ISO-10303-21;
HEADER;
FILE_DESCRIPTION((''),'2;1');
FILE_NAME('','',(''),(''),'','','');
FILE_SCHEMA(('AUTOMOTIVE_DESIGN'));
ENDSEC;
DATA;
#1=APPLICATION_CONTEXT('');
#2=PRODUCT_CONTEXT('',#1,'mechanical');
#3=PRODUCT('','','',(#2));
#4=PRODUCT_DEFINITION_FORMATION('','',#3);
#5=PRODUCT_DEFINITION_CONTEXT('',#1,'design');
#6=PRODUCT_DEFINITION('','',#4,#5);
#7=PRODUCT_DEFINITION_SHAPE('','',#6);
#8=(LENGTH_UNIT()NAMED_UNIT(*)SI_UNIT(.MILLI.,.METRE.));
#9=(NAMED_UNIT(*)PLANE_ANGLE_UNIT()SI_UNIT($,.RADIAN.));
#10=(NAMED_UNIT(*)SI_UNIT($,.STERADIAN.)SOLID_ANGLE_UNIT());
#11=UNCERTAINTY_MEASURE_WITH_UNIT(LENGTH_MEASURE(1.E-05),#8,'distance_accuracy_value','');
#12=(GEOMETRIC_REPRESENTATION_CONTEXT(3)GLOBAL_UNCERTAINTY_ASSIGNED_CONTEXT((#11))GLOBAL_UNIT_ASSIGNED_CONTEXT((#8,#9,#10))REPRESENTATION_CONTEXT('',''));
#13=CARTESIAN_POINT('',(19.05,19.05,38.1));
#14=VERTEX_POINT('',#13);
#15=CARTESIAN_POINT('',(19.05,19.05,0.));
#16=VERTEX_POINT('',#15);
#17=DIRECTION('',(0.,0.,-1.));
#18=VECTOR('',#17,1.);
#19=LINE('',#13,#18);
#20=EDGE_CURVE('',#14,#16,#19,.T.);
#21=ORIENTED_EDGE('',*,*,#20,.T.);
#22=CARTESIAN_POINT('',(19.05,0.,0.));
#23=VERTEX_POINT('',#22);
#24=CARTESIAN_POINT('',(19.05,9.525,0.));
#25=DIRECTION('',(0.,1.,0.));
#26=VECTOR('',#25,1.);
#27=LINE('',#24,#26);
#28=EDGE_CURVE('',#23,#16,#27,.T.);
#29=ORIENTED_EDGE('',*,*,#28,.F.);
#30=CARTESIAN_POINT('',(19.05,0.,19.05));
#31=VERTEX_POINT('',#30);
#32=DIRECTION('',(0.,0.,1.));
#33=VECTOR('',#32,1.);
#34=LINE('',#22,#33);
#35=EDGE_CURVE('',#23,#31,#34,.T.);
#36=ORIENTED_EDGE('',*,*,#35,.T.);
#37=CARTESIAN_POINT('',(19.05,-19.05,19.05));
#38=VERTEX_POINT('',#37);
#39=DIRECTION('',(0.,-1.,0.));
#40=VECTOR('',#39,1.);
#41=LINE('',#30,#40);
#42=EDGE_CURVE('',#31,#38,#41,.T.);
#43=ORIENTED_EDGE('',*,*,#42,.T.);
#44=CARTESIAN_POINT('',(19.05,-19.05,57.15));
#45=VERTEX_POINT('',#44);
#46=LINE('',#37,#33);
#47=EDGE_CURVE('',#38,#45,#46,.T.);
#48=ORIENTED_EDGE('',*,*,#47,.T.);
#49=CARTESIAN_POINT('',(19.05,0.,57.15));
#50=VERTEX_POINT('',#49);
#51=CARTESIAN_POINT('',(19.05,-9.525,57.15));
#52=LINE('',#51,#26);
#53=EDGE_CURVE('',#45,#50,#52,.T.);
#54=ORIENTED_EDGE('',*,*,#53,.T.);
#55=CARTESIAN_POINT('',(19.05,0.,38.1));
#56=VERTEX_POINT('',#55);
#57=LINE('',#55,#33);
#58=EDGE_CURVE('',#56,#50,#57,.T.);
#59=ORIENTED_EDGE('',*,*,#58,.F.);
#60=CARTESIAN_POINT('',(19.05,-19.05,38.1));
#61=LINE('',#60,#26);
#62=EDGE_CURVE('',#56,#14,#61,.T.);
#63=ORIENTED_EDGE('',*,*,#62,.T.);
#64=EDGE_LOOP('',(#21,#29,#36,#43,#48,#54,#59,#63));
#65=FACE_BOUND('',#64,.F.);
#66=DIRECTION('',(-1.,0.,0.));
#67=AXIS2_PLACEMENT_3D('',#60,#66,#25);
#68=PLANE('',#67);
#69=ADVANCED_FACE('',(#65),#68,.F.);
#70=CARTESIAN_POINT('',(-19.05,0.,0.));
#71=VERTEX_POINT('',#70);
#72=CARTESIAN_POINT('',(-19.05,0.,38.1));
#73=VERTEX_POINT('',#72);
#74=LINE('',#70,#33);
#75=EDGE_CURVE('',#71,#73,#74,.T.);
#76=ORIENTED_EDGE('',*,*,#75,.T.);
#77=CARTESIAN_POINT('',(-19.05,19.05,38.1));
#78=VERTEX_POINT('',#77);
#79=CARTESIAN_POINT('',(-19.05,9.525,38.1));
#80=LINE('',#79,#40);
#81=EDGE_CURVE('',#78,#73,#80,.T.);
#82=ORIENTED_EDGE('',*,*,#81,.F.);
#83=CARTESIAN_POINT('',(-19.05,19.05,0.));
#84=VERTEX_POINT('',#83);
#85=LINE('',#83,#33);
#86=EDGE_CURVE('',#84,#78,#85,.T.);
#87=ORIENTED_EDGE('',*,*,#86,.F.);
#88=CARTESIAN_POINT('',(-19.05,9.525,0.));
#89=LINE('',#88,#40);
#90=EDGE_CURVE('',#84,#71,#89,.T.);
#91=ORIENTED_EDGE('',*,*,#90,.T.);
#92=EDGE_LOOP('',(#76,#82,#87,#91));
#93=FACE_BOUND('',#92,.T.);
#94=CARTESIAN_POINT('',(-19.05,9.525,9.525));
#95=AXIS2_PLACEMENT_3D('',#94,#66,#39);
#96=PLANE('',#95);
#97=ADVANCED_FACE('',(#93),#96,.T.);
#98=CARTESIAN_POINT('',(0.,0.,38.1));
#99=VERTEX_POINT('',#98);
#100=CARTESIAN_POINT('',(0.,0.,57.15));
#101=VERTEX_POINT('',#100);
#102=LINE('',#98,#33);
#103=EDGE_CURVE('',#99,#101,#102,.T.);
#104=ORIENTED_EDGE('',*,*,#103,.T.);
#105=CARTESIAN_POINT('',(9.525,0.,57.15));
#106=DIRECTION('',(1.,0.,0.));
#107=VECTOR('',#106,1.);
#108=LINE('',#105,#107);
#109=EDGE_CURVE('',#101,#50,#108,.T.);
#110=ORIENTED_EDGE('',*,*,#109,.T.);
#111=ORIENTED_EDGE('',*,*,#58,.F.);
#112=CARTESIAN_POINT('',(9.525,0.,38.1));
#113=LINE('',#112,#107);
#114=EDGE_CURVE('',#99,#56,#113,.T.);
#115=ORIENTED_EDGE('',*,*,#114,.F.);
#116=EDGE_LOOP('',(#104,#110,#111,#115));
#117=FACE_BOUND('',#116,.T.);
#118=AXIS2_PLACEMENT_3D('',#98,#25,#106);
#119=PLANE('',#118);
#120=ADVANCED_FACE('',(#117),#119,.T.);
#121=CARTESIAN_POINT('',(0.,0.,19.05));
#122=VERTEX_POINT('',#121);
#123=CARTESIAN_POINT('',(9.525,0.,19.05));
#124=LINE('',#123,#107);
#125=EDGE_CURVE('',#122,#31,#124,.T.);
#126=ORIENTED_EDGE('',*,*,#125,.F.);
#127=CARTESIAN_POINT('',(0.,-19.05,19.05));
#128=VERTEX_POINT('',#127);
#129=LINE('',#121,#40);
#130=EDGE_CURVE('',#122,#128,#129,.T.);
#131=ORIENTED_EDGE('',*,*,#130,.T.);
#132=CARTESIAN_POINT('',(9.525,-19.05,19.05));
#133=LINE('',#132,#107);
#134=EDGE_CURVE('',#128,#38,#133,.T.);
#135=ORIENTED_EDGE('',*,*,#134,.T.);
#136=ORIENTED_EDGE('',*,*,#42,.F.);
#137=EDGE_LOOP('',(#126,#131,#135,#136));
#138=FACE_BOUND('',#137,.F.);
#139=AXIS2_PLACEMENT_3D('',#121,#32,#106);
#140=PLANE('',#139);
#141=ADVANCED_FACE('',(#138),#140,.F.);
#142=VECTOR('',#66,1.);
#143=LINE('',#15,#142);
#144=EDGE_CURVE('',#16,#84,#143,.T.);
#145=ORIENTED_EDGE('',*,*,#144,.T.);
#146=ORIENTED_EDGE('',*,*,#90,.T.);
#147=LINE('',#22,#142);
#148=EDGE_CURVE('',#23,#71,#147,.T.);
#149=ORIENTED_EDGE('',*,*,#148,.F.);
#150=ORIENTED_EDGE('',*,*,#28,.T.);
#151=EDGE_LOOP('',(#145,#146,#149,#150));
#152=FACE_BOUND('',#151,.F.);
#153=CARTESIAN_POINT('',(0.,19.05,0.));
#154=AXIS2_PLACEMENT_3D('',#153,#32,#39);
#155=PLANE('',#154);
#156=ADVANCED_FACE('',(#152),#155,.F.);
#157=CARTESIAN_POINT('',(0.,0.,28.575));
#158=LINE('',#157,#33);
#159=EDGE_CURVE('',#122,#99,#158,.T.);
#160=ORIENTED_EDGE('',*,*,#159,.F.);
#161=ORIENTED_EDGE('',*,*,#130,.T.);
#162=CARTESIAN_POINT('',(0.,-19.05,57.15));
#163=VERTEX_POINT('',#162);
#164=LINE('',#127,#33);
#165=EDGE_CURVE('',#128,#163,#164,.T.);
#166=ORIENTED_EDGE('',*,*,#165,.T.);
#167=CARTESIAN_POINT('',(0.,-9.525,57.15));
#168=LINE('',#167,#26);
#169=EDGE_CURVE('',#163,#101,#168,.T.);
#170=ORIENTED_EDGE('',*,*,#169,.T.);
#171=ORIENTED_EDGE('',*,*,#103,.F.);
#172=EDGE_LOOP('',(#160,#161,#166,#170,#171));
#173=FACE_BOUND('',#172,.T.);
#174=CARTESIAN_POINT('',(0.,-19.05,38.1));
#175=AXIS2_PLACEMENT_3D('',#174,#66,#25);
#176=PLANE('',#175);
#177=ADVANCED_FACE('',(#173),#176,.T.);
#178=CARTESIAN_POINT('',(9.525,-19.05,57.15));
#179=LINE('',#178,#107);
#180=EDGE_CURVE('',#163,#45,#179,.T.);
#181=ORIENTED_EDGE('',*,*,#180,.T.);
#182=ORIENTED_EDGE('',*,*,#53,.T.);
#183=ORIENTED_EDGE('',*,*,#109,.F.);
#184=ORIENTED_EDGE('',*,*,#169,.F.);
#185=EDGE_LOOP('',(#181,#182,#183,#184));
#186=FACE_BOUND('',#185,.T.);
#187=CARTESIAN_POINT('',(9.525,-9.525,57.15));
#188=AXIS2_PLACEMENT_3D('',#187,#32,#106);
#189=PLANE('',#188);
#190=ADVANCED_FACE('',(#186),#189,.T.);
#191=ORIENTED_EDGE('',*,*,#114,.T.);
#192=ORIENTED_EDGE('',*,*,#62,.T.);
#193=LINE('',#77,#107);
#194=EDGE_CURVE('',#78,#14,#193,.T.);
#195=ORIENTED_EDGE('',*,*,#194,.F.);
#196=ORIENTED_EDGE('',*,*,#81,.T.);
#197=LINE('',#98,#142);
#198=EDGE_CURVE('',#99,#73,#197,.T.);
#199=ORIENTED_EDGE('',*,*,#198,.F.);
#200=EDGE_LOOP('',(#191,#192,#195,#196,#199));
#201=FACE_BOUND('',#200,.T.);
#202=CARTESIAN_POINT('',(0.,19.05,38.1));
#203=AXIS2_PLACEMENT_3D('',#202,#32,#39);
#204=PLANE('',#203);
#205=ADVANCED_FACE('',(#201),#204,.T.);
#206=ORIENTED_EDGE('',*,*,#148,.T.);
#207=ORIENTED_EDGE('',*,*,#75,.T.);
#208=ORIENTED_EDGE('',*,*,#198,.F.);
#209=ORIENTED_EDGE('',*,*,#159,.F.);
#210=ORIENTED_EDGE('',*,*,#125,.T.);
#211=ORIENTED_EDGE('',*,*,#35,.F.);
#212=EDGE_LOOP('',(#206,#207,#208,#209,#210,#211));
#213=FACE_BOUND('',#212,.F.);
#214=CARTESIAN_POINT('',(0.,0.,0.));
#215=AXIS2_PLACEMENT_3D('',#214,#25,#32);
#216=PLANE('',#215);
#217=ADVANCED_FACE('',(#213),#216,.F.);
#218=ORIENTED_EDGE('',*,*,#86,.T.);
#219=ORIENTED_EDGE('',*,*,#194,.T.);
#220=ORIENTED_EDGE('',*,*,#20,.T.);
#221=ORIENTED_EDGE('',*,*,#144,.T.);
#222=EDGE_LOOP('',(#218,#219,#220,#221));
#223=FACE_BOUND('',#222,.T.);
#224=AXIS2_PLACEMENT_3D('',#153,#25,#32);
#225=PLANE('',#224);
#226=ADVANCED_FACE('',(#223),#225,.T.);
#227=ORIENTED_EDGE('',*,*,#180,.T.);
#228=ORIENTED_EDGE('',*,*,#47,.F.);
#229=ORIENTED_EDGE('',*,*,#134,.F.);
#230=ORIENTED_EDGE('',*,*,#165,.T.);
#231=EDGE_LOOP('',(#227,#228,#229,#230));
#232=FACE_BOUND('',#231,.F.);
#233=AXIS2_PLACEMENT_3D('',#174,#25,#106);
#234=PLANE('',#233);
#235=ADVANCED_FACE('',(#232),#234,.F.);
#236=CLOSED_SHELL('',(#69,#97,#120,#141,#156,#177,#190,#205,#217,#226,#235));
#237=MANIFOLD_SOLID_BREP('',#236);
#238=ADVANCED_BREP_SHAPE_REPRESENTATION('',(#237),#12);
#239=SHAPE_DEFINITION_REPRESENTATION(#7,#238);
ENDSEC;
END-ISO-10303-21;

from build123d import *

# Parameters (mm, degrees)
F0_W      = 19.05
F0_H      = 19.05
F1_DEPTH  = 19.05
F1_FACE_W = 19.05
F1_FACE_H = 19.05
F2_DEPTH  = 19.05
F3_W      = 19.05
F3_H      = 19.05
F5_DEPTH  = 19.05
F4_W      = 19.05
F4_H      = 19.05
F6_DEPTH  = 19.05
F6_FACE_W = 19.05
F6_FACE_H = 19.05
F7_DEPTH  = 19.05
F8_W      = 19.05
F8_H      = 19.05
F9_DEPTH  = 19.05


with BuildPart() as f1:
    # F0 (on Top) → F1 (new body)
    with BuildSketch(Plane.XY):
        with Locations((9.525, 9.525)):
            Rectangle(F0_W, F0_H)
    extrude(amount=F1_DEPTH)

    # F1_face (on face) → F2 (join)
    with BuildSketch(Plane(origin=(9.525, 9.525, 19.05), x_dir=(1, 0, 0), z_dir=(0, 0, 1))):
        Rectangle(F1_FACE_W, F1_FACE_H)
    extrude(amount=F2_DEPTH)

    # F3 (on face) → F5 (join)
    with BuildSketch(Plane.XZ):
        with Locations((9.525, 28.575)):
            Rectangle(F3_W, F3_H)
    extrude(amount=F5_DEPTH)

    # F4 (on face) → F6 (join)
    with BuildSketch(Plane(origin=(0, 0, 0), x_dir=(0, -1, 0), z_dir=(-1, 0, 0))):
        with Locations((-9.525, 28.575)):
            Rectangle(F4_W, F4_H)
    extrude(amount=F6_DEPTH)

    # F6_face (on face) → F7 (join)
    with BuildSketch(Plane(origin=(0, 9.525, 9.525), x_dir=(0, -1, 0), z_dir=(-1, 0, 0))):
        Rectangle(F6_FACE_W, F6_FACE_H)
    extrude(amount=F7_DEPTH)

    # F8 (on face) → F9 (join)
    with BuildSketch(Plane.XY.offset(38.1)):
        with Locations((9.525, -9.525)):
            Rectangle(F8_W, F8_H)
    extrude(amount=F9_DEPTH)


solid = f1.part
